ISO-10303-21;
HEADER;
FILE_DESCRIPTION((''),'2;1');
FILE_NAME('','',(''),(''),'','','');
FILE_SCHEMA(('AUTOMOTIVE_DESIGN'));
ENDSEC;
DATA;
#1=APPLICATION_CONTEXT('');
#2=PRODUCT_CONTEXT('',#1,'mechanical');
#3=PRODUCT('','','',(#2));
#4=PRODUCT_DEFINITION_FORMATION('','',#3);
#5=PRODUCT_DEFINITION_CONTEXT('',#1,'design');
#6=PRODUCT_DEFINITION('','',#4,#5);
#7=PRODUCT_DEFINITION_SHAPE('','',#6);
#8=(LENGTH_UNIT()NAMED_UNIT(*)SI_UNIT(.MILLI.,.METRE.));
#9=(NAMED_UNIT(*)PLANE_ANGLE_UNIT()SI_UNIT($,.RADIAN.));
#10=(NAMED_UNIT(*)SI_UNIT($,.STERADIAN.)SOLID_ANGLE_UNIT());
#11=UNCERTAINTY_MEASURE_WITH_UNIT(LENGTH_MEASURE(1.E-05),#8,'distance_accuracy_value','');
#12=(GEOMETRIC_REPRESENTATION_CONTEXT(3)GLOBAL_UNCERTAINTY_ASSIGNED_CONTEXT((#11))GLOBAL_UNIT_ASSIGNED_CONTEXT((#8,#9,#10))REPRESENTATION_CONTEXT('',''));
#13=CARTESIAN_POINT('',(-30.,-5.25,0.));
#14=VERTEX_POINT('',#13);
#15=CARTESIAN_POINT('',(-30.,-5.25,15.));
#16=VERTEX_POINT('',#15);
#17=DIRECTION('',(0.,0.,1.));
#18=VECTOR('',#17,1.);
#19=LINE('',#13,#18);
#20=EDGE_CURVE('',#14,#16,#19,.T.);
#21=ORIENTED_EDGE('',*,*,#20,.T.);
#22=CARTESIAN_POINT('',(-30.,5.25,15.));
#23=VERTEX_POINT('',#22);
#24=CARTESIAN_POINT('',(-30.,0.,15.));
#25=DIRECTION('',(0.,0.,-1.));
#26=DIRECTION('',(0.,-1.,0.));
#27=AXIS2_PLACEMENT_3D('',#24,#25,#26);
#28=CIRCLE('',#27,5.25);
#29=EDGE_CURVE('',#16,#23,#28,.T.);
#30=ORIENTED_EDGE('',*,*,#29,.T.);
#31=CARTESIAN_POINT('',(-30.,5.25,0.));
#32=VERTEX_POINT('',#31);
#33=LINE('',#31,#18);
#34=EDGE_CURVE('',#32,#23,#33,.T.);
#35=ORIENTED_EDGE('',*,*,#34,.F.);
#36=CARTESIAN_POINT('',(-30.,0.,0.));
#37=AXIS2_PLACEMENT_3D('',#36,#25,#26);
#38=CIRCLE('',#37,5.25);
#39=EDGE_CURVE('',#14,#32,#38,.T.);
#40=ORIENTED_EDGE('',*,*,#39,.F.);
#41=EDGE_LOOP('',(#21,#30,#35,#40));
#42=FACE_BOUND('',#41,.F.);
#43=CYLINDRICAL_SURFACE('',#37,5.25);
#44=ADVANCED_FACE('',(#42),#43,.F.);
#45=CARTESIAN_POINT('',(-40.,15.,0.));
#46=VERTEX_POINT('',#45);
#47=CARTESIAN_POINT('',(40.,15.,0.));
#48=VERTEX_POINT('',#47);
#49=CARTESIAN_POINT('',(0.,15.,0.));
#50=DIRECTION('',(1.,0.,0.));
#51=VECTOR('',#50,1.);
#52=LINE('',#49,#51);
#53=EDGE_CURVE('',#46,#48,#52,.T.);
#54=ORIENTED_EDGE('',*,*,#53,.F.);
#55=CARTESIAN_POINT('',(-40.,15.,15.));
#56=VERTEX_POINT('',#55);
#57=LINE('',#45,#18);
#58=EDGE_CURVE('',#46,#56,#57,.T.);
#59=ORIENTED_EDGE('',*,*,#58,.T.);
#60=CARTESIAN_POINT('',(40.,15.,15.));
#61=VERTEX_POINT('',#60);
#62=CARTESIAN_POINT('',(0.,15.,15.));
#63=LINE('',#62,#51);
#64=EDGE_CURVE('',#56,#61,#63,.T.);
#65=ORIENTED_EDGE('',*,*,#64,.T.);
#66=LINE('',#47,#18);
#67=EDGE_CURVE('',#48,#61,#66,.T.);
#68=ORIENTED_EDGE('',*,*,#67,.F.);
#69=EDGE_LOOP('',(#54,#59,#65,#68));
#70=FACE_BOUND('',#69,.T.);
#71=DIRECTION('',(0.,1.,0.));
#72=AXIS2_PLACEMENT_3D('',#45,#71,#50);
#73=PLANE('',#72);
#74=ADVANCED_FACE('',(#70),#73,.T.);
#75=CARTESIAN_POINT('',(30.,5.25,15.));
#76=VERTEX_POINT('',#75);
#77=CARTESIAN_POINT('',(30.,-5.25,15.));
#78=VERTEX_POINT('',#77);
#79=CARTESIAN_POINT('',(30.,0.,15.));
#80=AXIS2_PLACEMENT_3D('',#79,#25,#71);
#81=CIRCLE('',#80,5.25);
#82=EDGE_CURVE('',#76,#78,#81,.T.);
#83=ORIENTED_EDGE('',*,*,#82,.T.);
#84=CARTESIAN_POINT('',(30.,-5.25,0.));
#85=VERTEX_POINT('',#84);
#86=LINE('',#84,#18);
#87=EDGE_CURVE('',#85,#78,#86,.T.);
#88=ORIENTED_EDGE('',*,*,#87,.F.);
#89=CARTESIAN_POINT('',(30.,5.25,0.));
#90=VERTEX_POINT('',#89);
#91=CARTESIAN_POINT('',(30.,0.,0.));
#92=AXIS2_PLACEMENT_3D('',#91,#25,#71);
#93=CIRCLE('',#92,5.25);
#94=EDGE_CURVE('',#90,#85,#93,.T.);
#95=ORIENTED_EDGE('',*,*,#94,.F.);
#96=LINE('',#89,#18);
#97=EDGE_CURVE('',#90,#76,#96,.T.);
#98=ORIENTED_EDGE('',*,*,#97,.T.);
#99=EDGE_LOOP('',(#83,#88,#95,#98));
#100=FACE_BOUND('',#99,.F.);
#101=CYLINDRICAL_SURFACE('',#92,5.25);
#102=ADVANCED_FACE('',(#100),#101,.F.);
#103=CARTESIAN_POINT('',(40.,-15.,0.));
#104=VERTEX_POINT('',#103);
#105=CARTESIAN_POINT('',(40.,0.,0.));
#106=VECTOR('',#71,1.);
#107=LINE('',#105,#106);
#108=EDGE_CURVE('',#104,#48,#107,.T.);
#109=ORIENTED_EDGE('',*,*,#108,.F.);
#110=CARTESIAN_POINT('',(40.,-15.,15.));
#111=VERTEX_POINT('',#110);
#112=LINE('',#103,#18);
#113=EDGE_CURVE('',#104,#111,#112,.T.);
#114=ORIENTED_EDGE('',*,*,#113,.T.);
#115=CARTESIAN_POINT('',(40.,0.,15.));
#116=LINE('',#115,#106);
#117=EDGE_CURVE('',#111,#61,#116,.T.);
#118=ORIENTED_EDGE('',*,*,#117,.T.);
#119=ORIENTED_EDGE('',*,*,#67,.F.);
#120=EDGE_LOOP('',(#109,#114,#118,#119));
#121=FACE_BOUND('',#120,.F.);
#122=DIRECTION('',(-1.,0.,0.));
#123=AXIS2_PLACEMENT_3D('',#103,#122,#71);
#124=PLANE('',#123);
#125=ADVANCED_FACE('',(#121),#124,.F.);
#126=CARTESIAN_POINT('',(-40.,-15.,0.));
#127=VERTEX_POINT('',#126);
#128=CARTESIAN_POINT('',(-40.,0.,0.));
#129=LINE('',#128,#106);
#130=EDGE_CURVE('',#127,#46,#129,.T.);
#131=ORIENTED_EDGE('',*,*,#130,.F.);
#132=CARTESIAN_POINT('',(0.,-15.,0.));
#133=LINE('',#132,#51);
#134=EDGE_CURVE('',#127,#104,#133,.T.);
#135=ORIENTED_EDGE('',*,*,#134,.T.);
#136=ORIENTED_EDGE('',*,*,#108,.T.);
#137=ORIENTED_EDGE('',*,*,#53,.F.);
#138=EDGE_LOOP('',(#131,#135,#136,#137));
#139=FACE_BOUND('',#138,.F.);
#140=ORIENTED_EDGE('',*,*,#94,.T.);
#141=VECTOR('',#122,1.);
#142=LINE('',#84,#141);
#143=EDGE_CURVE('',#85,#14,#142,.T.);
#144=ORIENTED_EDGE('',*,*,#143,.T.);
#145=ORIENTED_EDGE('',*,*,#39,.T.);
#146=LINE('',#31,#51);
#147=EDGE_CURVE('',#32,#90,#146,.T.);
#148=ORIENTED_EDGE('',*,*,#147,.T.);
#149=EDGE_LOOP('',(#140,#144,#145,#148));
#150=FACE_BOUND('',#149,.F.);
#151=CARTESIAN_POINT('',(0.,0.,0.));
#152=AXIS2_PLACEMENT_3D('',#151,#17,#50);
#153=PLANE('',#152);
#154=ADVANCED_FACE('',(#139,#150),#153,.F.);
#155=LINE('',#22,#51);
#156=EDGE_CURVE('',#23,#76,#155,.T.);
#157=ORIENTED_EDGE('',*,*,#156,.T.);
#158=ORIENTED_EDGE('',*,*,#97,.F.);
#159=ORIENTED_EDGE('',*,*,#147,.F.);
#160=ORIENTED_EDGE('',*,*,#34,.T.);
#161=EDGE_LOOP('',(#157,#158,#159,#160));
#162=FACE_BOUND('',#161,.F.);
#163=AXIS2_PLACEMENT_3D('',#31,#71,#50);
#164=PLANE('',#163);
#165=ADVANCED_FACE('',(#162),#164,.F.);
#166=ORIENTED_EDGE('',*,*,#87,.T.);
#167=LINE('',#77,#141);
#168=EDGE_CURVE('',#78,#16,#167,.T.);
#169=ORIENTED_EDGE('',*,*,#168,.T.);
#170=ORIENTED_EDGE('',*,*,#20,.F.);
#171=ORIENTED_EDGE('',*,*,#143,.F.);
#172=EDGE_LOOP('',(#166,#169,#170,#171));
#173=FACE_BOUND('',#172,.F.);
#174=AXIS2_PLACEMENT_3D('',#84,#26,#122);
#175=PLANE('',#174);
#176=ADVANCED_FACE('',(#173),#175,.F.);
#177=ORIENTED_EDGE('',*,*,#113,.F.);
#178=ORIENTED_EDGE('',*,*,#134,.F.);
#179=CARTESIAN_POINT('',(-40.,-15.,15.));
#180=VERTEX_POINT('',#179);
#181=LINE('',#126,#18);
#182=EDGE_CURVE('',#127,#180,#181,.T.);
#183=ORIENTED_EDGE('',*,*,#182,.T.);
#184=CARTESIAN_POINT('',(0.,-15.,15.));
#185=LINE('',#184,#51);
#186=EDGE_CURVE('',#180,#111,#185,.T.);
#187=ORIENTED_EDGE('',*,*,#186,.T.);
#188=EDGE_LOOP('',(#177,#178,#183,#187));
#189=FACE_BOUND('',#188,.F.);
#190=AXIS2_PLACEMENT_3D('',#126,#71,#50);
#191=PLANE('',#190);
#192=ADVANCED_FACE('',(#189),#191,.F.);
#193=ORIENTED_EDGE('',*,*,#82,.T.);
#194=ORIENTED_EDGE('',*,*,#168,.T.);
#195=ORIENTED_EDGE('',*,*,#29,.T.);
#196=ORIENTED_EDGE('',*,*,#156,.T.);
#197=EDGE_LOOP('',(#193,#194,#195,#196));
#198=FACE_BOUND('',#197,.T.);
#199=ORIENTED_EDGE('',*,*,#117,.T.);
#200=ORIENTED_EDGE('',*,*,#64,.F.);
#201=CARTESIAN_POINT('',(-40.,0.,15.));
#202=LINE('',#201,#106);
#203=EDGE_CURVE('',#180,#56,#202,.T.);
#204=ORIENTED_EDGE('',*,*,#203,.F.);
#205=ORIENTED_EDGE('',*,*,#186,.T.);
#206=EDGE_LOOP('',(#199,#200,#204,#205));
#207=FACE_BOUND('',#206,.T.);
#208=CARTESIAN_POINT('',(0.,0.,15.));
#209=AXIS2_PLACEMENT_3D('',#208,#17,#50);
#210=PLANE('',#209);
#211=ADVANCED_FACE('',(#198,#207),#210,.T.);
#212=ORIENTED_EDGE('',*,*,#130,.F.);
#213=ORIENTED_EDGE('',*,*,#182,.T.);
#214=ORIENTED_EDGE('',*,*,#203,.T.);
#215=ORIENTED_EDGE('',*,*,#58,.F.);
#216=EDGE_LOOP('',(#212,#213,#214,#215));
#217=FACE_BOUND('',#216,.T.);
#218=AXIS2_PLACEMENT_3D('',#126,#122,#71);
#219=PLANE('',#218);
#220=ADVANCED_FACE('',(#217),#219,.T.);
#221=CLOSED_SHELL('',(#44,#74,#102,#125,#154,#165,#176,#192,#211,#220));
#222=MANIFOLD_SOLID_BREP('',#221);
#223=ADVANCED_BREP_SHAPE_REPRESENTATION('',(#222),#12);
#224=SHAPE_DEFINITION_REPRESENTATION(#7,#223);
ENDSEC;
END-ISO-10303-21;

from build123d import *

# Parameters (mm, degrees)
F0_W     = 80
F0_H     = 30
F1_DEPTH = 15


with BuildPart() as f1:
    # F0 (on Top) → F1 (new body)
    with BuildSketch(Plane.XY):
        Rectangle(F0_W, F0_H)
        with BuildLine():
            Line((30, -5.25), (-30, -5.25))
            ThreePointArc((-30, -5.25), (-35.25, 0), (-30, 5.25))
            Line((-30, 5.25), (30, 5.25))
            ThreePointArc((30, 5.25), (35.25, 0), (30, -5.25))
        make_face(mode=Mode.SUBTRACT)
    extrude(amount=F1_DEPTH)


solid = f1.part
